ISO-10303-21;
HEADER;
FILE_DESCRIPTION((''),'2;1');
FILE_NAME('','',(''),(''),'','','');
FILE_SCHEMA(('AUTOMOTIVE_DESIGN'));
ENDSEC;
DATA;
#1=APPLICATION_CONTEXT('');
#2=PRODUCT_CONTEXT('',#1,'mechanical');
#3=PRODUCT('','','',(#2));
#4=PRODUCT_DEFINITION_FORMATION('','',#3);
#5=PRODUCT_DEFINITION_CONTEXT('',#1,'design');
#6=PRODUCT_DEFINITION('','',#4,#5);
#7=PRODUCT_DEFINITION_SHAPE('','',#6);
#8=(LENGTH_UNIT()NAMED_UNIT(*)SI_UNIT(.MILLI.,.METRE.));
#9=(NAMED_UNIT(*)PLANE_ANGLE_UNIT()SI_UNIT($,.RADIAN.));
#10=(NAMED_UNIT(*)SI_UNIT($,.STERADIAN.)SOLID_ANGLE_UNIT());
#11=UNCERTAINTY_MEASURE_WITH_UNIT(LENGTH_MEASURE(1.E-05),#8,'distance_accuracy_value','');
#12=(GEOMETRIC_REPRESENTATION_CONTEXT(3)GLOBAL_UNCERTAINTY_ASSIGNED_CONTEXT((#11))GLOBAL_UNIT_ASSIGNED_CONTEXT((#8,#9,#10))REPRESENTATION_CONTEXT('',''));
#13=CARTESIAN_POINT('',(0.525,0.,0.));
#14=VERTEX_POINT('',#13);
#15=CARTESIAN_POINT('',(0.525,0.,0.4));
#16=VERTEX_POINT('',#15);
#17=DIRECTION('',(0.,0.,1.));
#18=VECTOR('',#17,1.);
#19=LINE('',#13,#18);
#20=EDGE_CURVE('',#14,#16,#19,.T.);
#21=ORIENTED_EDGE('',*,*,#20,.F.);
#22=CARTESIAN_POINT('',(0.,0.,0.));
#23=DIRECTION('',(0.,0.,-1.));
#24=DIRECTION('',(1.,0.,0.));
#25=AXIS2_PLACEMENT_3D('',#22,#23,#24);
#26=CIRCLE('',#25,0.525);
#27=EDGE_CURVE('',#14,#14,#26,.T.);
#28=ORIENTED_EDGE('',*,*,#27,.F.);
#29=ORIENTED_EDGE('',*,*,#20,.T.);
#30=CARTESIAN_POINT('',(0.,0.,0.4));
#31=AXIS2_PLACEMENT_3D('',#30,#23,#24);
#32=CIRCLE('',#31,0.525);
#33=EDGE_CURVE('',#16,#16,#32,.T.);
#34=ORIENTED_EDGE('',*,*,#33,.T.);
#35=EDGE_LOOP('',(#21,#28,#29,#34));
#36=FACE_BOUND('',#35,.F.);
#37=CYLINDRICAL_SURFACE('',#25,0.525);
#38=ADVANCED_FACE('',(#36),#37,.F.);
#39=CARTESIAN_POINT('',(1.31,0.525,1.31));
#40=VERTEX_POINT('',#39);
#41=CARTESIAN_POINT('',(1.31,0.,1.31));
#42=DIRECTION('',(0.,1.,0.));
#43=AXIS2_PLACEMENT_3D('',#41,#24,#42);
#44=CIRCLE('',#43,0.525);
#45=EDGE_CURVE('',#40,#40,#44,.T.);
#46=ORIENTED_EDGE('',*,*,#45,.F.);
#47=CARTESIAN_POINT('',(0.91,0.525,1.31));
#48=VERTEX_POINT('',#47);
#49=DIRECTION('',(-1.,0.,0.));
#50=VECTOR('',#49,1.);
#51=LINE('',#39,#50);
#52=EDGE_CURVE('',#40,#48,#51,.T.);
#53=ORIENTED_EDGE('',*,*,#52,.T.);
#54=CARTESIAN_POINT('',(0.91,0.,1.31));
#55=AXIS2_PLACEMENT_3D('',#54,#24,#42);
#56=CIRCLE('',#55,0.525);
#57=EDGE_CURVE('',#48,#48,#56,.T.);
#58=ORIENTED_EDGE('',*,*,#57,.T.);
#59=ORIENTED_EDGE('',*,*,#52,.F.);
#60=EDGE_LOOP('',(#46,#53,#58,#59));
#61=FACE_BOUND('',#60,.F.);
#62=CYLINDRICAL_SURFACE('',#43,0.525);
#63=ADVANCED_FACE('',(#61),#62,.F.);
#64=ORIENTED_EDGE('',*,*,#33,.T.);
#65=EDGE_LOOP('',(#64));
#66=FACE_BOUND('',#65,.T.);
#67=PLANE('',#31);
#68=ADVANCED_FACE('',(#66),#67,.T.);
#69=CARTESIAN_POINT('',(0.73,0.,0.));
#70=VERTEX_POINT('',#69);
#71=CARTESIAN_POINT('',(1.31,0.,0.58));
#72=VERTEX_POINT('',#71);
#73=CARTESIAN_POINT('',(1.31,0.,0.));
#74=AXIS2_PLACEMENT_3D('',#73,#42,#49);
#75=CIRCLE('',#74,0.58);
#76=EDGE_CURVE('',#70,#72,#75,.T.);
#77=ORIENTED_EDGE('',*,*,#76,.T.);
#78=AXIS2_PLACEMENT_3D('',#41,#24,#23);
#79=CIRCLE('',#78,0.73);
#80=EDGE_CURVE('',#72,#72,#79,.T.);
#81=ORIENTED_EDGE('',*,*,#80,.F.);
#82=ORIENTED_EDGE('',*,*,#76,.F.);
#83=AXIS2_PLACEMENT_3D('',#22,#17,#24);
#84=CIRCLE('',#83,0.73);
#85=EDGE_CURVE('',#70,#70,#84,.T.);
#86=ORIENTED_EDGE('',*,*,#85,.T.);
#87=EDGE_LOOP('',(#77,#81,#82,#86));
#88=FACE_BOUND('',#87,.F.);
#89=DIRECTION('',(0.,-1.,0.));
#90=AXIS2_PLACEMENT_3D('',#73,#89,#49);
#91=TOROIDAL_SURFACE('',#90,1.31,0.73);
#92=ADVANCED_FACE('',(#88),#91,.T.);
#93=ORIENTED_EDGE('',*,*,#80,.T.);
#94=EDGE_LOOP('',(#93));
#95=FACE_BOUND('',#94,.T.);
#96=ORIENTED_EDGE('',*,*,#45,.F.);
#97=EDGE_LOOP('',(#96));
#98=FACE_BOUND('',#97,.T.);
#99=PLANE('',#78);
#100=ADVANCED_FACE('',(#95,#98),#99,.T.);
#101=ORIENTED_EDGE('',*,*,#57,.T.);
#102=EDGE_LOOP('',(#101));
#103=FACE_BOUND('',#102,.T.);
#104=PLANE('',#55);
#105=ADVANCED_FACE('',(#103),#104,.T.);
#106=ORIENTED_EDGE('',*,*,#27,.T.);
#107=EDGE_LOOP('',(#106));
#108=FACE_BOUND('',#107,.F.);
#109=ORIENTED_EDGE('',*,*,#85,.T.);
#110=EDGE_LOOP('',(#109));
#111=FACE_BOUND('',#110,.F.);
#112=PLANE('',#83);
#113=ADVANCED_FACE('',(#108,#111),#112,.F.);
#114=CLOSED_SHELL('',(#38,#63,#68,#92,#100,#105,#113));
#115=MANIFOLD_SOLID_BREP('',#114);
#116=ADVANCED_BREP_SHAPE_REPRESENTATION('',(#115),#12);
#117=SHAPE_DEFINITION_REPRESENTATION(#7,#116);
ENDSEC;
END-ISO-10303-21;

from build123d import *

# Parameters (mm, degrees)
F0_R     = 0.73
F1_ANGLE = 90
F2_R     = 0.525
F3_DEPTH = 0.4
F4_R     = 0.525
F5_DEPTH = 0.4


with BuildPart() as f1:
    # F0 (on Top) → F1 (revolve)
    with BuildSketch(Plane.XY):
        Circle(F0_R)
    revolve(axis=Axis((1.31, 0.311184, 0), (0, 1, 0)), revolution_arc=F1_ANGLE)

    # F2 (on face) → F3 (cut)
    with BuildSketch(Plane.YZ.offset(1.31)):
        with Locations((0, 1.31)):
            Circle(F2_R)
    extrude(amount=-F3_DEPTH, mode=Mode.SUBTRACT)

    # F4 (on face) → F5 (cut)
    with BuildSketch(Plane(origin=(0, 0, 0), x_dir=(1, 0, 0), z_dir=(0, 0, -1))):
        Circle(F4_R)
    extrude(amount=-F5_DEPTH, mode=Mode.SUBTRACT)


solid = f1.part
